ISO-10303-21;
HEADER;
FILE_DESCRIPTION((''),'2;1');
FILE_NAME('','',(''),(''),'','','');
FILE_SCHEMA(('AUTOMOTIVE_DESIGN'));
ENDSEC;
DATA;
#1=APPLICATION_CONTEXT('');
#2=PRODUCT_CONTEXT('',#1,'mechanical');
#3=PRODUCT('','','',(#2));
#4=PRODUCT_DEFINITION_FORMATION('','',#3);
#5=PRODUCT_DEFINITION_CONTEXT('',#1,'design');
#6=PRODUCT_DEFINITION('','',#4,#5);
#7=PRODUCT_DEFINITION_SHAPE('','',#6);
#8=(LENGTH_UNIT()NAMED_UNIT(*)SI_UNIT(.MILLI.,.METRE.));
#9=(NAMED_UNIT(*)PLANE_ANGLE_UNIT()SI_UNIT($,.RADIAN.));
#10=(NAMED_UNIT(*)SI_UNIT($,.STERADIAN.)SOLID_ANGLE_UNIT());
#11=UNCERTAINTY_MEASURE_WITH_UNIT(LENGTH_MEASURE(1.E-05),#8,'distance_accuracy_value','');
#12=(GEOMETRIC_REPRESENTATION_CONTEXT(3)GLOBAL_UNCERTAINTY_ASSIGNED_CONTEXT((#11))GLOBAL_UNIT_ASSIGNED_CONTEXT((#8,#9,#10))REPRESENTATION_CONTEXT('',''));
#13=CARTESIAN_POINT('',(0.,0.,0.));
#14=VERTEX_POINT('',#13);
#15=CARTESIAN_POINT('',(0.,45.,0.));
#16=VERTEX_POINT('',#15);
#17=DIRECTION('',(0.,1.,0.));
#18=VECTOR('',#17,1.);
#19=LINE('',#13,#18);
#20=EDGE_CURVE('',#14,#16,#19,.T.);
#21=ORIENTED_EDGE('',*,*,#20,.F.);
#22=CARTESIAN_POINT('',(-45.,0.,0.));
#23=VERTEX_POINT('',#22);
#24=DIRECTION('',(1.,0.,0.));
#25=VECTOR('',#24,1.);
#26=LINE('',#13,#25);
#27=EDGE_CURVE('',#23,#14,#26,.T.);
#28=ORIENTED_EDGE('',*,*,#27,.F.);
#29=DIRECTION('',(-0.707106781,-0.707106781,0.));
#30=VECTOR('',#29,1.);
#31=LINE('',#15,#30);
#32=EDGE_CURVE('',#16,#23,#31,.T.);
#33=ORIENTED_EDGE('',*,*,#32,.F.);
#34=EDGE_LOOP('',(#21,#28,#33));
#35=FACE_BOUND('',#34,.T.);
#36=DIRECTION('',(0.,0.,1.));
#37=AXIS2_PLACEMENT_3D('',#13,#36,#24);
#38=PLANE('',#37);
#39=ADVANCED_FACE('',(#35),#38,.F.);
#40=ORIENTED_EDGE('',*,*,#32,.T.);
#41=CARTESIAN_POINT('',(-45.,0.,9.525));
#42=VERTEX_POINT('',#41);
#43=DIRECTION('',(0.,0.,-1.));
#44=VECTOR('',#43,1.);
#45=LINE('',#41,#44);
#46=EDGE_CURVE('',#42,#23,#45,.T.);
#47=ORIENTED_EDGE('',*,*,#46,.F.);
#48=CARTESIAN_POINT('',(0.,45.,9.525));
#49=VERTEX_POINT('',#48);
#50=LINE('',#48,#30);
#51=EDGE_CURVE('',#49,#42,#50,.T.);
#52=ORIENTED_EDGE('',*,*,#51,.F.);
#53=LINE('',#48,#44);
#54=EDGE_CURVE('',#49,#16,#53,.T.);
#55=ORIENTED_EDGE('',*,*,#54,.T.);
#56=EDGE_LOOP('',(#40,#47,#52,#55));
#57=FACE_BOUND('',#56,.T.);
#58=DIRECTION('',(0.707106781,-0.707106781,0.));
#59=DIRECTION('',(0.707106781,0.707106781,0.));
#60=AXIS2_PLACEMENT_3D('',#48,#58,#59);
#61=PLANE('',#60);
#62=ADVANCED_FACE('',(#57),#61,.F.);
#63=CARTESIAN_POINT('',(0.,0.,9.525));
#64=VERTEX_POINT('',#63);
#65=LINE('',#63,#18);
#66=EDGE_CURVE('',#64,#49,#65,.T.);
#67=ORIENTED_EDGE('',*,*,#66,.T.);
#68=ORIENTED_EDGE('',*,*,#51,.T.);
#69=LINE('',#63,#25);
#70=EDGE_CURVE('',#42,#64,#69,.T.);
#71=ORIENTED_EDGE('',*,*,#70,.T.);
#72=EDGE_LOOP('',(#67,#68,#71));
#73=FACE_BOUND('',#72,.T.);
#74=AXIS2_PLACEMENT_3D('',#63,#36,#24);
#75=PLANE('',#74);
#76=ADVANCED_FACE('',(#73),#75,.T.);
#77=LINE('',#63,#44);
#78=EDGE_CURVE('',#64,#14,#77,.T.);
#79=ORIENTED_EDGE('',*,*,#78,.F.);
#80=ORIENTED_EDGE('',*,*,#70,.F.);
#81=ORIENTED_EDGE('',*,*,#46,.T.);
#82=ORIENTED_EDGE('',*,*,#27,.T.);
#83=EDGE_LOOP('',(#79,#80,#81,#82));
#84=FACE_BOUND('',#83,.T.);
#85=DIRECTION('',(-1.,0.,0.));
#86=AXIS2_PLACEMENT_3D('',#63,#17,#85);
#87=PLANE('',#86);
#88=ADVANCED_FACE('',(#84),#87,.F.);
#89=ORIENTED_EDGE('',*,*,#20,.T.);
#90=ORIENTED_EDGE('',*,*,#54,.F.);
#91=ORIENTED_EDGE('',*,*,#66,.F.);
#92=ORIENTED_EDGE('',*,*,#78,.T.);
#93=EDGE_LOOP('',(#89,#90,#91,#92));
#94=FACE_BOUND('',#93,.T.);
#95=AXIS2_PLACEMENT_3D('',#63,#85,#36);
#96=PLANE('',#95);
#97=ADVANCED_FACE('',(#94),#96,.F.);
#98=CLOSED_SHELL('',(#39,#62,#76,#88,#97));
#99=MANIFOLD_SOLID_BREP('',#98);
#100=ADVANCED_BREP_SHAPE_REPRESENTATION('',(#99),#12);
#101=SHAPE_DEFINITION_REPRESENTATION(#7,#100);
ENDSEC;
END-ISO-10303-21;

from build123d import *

# Parameters (mm, degrees)
SALIENTE_EXTRUIR1_DEPTH = 9.525


with BuildPart() as part:
    # Croquis1 → Saliente-Extruir1 (new body)
    with BuildSketch(Plane.XY):
        Polygon((0, 0), (-45, 0), (0, 45), align=None)
    extrude(amount=SALIENTE_EXTRUIR1_DEPTH)


solid = part.part
